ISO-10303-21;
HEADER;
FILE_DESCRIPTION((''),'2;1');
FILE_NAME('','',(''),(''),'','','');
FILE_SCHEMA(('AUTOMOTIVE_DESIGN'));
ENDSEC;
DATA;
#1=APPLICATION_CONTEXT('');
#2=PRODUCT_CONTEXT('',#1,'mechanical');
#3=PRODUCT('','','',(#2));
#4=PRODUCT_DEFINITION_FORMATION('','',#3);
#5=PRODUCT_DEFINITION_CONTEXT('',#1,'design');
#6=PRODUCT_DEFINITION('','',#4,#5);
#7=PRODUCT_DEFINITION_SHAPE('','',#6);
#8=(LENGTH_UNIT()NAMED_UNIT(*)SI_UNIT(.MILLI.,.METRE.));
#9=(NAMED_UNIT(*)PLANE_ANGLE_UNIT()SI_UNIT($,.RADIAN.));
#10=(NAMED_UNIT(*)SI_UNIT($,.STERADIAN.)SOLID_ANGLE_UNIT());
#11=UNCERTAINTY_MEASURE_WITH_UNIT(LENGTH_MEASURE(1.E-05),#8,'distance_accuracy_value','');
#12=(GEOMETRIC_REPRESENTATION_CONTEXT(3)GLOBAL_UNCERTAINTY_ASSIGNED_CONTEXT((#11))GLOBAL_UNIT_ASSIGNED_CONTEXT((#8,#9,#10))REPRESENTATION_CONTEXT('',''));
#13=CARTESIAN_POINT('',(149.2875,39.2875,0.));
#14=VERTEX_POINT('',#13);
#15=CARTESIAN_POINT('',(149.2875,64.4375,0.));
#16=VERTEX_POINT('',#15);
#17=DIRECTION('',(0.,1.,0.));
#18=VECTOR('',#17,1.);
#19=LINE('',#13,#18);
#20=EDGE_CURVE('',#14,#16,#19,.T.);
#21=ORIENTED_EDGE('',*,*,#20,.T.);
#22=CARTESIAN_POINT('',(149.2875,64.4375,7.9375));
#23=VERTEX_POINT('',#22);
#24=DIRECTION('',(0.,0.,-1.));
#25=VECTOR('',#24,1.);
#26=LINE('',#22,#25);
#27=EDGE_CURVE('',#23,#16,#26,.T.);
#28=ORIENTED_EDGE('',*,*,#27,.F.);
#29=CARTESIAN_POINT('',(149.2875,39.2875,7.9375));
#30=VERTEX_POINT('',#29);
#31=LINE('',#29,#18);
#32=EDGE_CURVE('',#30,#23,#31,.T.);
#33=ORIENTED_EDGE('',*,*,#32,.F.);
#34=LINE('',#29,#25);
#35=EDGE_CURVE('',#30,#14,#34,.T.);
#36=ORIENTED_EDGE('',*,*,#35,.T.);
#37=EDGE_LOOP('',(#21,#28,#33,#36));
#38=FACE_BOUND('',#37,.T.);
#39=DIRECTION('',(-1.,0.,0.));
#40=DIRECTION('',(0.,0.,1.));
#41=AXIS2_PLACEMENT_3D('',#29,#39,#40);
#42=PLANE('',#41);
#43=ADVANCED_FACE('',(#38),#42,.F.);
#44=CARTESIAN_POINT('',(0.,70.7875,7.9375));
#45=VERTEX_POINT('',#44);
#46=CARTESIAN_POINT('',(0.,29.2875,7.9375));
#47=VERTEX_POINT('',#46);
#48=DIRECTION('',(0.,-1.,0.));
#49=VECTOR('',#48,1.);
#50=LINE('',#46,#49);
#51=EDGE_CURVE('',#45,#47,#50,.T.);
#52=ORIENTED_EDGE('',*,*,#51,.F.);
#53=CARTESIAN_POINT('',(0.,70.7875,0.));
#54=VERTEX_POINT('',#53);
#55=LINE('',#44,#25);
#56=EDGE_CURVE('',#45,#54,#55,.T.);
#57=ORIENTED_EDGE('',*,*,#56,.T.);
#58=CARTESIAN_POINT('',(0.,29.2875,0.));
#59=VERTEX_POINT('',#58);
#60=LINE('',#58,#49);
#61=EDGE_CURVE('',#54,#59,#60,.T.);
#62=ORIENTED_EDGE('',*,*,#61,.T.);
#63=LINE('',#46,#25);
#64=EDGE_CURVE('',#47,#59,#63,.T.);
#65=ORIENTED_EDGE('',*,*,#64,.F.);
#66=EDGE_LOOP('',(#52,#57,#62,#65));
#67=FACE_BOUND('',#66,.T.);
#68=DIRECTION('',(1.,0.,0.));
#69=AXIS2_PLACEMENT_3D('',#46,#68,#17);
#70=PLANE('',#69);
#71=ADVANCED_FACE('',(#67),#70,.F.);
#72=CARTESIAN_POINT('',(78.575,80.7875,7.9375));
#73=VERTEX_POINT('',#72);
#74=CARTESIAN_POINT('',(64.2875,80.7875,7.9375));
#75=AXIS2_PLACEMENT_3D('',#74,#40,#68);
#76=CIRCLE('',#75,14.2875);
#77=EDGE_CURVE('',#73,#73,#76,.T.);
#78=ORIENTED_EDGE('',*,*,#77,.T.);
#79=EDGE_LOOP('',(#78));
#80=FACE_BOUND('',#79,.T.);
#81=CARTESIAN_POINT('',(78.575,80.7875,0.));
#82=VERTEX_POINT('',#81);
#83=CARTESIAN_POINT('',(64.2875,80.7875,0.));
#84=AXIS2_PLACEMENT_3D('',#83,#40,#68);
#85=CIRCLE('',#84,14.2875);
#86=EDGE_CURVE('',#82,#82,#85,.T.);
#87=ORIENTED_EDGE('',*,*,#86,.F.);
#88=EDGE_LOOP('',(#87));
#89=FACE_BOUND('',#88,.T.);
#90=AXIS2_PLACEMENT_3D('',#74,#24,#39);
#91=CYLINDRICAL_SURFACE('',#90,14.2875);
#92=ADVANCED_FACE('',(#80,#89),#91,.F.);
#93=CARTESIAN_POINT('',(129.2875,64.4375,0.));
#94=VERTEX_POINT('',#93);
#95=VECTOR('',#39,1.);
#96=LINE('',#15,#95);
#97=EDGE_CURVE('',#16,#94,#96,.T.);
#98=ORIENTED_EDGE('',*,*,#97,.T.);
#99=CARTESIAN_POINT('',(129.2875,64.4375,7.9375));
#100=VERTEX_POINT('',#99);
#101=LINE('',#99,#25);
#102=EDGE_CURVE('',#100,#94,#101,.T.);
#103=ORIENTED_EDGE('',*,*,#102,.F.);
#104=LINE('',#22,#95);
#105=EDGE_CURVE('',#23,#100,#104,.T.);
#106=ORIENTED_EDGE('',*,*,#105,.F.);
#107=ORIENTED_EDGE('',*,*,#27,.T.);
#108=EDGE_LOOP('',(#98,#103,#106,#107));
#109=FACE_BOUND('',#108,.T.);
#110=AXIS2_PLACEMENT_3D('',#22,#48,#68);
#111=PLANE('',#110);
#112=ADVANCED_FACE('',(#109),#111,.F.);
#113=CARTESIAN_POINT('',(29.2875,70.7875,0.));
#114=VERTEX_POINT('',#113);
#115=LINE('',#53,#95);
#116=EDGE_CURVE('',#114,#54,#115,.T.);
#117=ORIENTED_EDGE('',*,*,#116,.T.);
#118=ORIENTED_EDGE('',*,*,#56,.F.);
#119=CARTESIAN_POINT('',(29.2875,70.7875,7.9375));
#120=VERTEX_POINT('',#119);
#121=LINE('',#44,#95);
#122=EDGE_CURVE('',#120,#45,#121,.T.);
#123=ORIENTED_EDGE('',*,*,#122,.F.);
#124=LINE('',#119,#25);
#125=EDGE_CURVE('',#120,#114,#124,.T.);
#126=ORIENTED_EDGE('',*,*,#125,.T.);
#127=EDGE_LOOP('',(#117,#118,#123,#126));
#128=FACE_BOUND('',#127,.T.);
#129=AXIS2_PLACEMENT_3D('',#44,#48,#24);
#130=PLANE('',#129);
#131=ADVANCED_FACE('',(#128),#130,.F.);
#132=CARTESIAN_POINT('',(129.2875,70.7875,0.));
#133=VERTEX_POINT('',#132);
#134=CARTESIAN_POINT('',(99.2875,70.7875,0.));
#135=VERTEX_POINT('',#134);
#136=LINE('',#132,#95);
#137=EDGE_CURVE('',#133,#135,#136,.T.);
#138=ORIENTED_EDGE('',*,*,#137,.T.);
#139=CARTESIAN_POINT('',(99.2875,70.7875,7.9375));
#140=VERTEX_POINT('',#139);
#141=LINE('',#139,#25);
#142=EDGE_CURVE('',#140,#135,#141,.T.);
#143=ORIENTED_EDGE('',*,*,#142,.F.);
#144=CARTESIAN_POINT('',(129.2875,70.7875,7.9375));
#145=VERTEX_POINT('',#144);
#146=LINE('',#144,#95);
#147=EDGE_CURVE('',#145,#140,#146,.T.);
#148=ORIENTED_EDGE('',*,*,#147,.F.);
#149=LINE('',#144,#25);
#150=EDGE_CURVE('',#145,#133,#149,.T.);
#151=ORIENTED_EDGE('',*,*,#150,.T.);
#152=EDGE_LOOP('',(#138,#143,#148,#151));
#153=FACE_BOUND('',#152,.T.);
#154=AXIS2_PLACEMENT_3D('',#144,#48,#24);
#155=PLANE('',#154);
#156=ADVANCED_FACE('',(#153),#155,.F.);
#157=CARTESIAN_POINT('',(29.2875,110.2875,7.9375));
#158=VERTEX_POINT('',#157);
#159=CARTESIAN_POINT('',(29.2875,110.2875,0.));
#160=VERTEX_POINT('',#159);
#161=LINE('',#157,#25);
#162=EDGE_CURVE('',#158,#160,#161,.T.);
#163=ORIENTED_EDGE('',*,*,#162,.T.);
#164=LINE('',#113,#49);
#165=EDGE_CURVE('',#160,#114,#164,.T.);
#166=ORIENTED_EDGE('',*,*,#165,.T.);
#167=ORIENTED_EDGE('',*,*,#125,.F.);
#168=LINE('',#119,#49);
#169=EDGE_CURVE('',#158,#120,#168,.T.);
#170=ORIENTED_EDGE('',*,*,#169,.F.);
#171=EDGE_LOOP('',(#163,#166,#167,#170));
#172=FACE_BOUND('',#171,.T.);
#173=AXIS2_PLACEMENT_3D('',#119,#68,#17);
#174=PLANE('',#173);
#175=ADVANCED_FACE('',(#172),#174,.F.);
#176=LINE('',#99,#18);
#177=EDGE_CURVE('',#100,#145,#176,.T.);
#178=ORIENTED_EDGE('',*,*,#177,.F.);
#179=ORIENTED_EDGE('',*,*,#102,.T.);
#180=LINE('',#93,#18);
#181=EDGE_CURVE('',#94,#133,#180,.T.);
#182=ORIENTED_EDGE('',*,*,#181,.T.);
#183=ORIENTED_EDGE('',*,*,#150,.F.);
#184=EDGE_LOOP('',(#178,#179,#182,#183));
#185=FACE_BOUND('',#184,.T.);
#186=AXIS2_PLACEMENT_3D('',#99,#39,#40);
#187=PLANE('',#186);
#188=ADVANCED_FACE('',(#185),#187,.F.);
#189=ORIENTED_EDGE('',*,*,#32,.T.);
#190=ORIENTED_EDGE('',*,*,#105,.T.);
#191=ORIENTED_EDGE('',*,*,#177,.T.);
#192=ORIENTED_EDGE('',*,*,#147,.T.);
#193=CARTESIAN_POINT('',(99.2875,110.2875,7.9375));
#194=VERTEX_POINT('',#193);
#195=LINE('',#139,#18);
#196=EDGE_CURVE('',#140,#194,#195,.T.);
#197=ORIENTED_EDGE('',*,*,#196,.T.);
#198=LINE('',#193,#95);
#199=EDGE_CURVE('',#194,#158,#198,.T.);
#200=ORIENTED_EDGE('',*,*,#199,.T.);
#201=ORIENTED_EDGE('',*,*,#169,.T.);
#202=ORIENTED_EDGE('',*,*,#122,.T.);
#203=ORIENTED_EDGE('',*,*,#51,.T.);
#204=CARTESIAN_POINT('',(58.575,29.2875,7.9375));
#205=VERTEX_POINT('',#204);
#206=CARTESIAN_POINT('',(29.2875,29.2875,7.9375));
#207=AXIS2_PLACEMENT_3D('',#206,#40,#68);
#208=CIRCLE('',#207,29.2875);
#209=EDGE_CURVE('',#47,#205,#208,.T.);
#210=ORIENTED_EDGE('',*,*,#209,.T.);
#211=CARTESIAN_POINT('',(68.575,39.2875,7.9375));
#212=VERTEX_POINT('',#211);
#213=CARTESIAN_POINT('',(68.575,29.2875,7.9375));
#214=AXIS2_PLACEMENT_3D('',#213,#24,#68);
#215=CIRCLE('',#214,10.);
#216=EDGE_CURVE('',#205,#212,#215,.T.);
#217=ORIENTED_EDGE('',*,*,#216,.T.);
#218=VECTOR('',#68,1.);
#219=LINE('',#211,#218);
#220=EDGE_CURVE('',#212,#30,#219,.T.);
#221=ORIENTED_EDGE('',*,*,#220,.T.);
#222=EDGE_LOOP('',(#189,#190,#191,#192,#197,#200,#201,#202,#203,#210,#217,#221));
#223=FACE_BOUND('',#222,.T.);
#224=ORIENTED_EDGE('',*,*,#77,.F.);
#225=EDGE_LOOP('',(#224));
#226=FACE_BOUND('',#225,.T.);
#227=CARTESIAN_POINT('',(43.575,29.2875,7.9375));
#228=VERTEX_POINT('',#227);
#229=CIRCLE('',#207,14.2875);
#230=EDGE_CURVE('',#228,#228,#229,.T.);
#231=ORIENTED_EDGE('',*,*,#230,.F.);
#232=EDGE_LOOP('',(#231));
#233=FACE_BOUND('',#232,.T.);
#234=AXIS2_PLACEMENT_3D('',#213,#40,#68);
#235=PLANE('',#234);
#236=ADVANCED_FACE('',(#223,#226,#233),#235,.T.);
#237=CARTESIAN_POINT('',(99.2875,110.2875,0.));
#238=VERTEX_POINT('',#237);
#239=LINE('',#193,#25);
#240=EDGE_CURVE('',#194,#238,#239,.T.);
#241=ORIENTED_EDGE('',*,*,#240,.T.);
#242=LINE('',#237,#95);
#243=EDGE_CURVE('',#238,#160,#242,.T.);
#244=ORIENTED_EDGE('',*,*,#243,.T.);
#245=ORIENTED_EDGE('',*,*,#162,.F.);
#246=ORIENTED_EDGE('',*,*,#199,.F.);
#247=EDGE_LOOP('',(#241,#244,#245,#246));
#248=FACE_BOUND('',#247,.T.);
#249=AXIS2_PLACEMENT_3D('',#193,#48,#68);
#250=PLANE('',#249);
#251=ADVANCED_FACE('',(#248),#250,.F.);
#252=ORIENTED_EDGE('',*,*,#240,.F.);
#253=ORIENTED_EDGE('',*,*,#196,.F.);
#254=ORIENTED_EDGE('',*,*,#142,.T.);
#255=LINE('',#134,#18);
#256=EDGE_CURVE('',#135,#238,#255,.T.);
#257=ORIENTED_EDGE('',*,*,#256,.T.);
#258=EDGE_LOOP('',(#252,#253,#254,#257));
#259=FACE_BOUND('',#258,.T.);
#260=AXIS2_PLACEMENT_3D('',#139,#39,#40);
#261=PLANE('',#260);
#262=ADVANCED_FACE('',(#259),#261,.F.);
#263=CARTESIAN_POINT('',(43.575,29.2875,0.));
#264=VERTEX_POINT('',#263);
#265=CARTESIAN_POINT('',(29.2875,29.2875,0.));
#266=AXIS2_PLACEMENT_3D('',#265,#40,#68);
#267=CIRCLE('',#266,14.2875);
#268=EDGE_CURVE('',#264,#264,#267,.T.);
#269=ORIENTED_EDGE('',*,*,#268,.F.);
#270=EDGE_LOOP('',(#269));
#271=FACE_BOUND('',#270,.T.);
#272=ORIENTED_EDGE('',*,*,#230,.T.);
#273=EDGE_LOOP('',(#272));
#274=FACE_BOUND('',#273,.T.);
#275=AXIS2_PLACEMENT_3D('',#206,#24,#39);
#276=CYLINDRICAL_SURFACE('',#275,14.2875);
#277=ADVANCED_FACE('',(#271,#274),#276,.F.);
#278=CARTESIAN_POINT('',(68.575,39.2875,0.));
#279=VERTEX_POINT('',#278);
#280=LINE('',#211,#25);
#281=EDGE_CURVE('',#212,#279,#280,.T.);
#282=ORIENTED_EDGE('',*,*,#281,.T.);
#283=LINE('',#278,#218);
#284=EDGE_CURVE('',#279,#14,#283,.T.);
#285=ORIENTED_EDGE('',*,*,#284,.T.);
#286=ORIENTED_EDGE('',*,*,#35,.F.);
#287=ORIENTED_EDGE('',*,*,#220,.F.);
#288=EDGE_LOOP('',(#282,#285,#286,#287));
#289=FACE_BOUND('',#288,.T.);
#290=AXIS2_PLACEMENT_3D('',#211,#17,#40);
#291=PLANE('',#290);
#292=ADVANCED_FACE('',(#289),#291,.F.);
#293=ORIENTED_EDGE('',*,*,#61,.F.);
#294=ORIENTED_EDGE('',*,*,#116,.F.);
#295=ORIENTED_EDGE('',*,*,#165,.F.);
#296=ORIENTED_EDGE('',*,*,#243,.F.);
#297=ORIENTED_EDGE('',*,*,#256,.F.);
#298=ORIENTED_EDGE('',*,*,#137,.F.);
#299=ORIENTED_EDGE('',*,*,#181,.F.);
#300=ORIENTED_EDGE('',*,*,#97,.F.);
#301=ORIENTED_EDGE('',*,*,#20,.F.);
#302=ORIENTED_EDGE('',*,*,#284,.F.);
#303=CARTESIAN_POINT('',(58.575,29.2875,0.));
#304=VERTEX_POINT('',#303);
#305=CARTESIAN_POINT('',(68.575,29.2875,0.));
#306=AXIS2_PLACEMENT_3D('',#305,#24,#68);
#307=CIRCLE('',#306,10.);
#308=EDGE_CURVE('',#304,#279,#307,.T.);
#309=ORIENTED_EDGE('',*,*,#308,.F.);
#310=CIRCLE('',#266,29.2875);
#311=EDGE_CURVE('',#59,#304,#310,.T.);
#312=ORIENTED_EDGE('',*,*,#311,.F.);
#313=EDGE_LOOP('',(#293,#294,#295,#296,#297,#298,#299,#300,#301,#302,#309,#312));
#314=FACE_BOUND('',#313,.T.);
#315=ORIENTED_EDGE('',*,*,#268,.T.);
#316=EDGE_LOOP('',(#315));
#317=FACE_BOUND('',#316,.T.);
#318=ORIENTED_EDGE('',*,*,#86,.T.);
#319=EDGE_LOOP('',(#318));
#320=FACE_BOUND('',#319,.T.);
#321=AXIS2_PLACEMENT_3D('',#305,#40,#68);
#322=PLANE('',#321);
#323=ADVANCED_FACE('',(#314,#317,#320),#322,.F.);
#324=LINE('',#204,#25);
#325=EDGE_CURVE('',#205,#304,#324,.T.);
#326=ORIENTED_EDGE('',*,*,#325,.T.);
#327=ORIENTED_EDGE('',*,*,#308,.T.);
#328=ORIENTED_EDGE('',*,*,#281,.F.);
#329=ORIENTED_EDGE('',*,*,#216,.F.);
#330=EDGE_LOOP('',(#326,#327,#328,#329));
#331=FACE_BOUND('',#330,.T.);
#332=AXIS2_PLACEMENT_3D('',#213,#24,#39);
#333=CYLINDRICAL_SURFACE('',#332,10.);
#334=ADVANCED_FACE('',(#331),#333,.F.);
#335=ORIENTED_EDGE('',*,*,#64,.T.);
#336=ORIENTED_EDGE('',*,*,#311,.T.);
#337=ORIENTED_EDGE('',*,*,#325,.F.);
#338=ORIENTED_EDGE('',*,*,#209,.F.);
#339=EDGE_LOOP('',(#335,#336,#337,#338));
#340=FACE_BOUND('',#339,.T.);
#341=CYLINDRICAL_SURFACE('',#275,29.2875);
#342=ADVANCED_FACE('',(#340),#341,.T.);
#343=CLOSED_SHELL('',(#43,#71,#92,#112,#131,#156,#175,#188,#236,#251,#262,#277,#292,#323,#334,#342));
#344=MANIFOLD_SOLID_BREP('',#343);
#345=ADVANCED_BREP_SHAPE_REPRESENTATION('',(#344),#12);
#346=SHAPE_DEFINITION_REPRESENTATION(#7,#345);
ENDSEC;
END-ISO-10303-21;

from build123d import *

# Parameters (mm, degrees)
SKETCH1_R           = 14.2875
BOSS_EXTRUDE1_DEPTH = 7.9375


with BuildPart() as part:
    # Sketch1 → Boss-Extrude1 (new body)
    with BuildSketch(Plane.XY):
        with BuildLine():
            Line((149.2875, 39.2875), (149.2875, 64.4375))
            Line((149.2875, 64.4375), (129.2875, 64.4375))
            Line((129.2875, 64.4375), (129.2875, 70.7875))
            Line((129.2875, 70.7875), (99.2875, 70.7875))
            Line((99.2875, 70.7875), (99.2875, 110.2875))
            Line((99.2875, 110.2875), (29.2875, 110.2875))
            Line((29.2875, 110.2875), (29.2875, 70.7875))
            Line((29.2875, 70.7875), (0, 70.7875))
            Line((0, 70.7875), (0, 29.2875))
            ThreePointArc((0, 29.2875), (29.2875, 0), (58.575, 29.2875))
            ThreePointArc((58.575, 29.2875), (61.503932188, 36.358567812), (68.575, 39.2875))
            Line((68.575, 39.2875), (149.2875, 39.2875))
        make_face()
        with Locations((64.2875, 80.7875)):
            Circle(SKETCH1_R, mode=Mode.SUBTRACT)
        with Locations((29.2875, 29.2875)):
            Circle(SKETCH1_R, mode=Mode.SUBTRACT)
    extrude(amount=BOSS_EXTRUDE1_DEPTH)


solid = part.part
